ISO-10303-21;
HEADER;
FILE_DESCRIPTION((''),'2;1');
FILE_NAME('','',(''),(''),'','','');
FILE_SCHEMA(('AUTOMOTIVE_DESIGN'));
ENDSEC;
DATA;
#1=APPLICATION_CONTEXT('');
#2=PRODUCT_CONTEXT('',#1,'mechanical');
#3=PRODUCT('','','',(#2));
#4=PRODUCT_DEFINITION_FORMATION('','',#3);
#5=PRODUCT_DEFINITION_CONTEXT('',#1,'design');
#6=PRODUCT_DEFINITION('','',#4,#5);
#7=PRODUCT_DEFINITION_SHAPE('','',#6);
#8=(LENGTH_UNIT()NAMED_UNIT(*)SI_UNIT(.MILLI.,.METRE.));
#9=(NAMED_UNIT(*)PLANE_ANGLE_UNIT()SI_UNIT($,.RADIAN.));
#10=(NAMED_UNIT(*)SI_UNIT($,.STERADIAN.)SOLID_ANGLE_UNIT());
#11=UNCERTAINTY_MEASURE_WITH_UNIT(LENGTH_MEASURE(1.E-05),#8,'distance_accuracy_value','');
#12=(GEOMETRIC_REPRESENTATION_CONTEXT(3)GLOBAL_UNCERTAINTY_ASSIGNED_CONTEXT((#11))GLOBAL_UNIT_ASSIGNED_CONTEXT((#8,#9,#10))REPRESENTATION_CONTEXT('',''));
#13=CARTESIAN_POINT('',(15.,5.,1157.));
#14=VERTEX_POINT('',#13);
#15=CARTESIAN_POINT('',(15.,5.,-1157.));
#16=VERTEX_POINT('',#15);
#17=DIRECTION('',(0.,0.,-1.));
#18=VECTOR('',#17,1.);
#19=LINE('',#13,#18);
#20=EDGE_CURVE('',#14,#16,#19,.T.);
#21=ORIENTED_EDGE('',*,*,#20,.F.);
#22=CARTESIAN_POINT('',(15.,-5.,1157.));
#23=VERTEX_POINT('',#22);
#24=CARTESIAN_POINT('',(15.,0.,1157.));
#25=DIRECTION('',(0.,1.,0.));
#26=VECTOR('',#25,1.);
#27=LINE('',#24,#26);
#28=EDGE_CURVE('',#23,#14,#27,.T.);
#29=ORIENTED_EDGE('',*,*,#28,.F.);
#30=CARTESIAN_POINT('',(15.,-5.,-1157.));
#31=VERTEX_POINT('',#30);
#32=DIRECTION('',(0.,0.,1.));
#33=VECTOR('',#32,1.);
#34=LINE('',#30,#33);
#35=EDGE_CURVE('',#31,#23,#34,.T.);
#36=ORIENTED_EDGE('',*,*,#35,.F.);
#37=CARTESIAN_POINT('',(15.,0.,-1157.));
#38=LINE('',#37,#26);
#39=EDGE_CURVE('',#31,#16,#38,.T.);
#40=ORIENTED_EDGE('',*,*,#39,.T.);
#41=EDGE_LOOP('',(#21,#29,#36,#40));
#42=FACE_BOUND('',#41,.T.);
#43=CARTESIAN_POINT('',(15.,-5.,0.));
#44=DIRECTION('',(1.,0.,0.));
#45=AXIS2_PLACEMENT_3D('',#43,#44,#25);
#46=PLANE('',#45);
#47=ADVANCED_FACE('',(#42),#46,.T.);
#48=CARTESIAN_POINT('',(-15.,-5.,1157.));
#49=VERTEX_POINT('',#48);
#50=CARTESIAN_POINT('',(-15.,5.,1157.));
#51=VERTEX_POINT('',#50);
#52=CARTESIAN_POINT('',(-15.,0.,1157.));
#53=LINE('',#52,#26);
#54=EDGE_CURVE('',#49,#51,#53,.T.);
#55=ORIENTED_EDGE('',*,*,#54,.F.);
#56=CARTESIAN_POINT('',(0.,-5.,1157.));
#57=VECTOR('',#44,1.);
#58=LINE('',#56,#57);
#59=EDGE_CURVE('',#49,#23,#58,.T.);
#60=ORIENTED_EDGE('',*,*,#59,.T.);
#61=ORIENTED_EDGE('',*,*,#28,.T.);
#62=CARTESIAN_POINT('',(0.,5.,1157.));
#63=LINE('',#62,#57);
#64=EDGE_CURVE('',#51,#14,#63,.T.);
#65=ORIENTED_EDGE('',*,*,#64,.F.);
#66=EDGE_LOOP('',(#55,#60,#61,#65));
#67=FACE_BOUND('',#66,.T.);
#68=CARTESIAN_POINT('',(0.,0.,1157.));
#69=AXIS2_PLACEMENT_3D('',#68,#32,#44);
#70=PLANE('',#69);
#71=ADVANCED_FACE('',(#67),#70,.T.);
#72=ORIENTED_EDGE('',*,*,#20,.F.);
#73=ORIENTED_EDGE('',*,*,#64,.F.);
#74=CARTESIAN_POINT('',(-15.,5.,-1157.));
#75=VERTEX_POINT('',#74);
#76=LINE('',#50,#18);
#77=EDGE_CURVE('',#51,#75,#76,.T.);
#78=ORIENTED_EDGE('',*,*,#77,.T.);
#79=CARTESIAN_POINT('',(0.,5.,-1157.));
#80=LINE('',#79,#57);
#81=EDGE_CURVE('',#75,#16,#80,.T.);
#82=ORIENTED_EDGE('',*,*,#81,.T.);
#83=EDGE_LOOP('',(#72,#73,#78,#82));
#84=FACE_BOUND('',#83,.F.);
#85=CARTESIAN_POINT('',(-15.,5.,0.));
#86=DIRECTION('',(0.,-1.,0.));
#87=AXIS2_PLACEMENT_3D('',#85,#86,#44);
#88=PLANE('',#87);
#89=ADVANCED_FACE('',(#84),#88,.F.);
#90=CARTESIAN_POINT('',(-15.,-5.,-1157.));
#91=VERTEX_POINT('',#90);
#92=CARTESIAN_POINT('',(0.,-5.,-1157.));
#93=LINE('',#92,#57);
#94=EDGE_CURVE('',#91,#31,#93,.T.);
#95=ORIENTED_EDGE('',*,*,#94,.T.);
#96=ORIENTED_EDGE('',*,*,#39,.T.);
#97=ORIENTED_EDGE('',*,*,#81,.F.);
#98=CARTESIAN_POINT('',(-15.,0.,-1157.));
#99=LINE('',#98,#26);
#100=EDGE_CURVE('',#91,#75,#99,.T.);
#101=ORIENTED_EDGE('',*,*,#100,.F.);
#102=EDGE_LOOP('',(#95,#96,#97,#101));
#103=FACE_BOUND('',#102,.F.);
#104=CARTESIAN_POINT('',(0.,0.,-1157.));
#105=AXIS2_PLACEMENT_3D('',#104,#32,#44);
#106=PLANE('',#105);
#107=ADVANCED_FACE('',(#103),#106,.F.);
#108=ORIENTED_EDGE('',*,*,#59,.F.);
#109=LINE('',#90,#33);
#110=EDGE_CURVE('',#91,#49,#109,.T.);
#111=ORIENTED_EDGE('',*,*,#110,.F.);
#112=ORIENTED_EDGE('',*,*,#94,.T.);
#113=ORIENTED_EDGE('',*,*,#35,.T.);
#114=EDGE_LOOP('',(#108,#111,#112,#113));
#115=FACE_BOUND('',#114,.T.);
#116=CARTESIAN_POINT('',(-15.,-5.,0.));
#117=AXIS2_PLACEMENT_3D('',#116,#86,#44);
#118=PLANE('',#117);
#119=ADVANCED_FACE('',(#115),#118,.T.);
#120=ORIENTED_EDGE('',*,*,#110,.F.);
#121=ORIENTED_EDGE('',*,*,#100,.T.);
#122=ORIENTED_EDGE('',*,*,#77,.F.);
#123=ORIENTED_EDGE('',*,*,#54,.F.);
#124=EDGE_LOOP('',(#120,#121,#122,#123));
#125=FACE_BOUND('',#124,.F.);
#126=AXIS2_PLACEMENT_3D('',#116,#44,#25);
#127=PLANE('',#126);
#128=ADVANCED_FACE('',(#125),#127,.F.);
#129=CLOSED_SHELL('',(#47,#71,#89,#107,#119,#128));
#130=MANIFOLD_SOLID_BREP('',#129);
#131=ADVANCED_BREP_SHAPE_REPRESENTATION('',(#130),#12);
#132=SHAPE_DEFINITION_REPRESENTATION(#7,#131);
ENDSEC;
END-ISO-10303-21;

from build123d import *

# Parameters (mm, degrees)
SKETCH_W  = 30
SKETCH_H  = 10
PAD_DEPTH = 1157


with BuildPart() as part:
    # Sketch → Pad (new body, symmetric)
    with BuildSketch(Plane.XY):
        Rectangle(SKETCH_W, SKETCH_H)
    extrude(amount=PAD_DEPTH, both=True)


solid = part.part
